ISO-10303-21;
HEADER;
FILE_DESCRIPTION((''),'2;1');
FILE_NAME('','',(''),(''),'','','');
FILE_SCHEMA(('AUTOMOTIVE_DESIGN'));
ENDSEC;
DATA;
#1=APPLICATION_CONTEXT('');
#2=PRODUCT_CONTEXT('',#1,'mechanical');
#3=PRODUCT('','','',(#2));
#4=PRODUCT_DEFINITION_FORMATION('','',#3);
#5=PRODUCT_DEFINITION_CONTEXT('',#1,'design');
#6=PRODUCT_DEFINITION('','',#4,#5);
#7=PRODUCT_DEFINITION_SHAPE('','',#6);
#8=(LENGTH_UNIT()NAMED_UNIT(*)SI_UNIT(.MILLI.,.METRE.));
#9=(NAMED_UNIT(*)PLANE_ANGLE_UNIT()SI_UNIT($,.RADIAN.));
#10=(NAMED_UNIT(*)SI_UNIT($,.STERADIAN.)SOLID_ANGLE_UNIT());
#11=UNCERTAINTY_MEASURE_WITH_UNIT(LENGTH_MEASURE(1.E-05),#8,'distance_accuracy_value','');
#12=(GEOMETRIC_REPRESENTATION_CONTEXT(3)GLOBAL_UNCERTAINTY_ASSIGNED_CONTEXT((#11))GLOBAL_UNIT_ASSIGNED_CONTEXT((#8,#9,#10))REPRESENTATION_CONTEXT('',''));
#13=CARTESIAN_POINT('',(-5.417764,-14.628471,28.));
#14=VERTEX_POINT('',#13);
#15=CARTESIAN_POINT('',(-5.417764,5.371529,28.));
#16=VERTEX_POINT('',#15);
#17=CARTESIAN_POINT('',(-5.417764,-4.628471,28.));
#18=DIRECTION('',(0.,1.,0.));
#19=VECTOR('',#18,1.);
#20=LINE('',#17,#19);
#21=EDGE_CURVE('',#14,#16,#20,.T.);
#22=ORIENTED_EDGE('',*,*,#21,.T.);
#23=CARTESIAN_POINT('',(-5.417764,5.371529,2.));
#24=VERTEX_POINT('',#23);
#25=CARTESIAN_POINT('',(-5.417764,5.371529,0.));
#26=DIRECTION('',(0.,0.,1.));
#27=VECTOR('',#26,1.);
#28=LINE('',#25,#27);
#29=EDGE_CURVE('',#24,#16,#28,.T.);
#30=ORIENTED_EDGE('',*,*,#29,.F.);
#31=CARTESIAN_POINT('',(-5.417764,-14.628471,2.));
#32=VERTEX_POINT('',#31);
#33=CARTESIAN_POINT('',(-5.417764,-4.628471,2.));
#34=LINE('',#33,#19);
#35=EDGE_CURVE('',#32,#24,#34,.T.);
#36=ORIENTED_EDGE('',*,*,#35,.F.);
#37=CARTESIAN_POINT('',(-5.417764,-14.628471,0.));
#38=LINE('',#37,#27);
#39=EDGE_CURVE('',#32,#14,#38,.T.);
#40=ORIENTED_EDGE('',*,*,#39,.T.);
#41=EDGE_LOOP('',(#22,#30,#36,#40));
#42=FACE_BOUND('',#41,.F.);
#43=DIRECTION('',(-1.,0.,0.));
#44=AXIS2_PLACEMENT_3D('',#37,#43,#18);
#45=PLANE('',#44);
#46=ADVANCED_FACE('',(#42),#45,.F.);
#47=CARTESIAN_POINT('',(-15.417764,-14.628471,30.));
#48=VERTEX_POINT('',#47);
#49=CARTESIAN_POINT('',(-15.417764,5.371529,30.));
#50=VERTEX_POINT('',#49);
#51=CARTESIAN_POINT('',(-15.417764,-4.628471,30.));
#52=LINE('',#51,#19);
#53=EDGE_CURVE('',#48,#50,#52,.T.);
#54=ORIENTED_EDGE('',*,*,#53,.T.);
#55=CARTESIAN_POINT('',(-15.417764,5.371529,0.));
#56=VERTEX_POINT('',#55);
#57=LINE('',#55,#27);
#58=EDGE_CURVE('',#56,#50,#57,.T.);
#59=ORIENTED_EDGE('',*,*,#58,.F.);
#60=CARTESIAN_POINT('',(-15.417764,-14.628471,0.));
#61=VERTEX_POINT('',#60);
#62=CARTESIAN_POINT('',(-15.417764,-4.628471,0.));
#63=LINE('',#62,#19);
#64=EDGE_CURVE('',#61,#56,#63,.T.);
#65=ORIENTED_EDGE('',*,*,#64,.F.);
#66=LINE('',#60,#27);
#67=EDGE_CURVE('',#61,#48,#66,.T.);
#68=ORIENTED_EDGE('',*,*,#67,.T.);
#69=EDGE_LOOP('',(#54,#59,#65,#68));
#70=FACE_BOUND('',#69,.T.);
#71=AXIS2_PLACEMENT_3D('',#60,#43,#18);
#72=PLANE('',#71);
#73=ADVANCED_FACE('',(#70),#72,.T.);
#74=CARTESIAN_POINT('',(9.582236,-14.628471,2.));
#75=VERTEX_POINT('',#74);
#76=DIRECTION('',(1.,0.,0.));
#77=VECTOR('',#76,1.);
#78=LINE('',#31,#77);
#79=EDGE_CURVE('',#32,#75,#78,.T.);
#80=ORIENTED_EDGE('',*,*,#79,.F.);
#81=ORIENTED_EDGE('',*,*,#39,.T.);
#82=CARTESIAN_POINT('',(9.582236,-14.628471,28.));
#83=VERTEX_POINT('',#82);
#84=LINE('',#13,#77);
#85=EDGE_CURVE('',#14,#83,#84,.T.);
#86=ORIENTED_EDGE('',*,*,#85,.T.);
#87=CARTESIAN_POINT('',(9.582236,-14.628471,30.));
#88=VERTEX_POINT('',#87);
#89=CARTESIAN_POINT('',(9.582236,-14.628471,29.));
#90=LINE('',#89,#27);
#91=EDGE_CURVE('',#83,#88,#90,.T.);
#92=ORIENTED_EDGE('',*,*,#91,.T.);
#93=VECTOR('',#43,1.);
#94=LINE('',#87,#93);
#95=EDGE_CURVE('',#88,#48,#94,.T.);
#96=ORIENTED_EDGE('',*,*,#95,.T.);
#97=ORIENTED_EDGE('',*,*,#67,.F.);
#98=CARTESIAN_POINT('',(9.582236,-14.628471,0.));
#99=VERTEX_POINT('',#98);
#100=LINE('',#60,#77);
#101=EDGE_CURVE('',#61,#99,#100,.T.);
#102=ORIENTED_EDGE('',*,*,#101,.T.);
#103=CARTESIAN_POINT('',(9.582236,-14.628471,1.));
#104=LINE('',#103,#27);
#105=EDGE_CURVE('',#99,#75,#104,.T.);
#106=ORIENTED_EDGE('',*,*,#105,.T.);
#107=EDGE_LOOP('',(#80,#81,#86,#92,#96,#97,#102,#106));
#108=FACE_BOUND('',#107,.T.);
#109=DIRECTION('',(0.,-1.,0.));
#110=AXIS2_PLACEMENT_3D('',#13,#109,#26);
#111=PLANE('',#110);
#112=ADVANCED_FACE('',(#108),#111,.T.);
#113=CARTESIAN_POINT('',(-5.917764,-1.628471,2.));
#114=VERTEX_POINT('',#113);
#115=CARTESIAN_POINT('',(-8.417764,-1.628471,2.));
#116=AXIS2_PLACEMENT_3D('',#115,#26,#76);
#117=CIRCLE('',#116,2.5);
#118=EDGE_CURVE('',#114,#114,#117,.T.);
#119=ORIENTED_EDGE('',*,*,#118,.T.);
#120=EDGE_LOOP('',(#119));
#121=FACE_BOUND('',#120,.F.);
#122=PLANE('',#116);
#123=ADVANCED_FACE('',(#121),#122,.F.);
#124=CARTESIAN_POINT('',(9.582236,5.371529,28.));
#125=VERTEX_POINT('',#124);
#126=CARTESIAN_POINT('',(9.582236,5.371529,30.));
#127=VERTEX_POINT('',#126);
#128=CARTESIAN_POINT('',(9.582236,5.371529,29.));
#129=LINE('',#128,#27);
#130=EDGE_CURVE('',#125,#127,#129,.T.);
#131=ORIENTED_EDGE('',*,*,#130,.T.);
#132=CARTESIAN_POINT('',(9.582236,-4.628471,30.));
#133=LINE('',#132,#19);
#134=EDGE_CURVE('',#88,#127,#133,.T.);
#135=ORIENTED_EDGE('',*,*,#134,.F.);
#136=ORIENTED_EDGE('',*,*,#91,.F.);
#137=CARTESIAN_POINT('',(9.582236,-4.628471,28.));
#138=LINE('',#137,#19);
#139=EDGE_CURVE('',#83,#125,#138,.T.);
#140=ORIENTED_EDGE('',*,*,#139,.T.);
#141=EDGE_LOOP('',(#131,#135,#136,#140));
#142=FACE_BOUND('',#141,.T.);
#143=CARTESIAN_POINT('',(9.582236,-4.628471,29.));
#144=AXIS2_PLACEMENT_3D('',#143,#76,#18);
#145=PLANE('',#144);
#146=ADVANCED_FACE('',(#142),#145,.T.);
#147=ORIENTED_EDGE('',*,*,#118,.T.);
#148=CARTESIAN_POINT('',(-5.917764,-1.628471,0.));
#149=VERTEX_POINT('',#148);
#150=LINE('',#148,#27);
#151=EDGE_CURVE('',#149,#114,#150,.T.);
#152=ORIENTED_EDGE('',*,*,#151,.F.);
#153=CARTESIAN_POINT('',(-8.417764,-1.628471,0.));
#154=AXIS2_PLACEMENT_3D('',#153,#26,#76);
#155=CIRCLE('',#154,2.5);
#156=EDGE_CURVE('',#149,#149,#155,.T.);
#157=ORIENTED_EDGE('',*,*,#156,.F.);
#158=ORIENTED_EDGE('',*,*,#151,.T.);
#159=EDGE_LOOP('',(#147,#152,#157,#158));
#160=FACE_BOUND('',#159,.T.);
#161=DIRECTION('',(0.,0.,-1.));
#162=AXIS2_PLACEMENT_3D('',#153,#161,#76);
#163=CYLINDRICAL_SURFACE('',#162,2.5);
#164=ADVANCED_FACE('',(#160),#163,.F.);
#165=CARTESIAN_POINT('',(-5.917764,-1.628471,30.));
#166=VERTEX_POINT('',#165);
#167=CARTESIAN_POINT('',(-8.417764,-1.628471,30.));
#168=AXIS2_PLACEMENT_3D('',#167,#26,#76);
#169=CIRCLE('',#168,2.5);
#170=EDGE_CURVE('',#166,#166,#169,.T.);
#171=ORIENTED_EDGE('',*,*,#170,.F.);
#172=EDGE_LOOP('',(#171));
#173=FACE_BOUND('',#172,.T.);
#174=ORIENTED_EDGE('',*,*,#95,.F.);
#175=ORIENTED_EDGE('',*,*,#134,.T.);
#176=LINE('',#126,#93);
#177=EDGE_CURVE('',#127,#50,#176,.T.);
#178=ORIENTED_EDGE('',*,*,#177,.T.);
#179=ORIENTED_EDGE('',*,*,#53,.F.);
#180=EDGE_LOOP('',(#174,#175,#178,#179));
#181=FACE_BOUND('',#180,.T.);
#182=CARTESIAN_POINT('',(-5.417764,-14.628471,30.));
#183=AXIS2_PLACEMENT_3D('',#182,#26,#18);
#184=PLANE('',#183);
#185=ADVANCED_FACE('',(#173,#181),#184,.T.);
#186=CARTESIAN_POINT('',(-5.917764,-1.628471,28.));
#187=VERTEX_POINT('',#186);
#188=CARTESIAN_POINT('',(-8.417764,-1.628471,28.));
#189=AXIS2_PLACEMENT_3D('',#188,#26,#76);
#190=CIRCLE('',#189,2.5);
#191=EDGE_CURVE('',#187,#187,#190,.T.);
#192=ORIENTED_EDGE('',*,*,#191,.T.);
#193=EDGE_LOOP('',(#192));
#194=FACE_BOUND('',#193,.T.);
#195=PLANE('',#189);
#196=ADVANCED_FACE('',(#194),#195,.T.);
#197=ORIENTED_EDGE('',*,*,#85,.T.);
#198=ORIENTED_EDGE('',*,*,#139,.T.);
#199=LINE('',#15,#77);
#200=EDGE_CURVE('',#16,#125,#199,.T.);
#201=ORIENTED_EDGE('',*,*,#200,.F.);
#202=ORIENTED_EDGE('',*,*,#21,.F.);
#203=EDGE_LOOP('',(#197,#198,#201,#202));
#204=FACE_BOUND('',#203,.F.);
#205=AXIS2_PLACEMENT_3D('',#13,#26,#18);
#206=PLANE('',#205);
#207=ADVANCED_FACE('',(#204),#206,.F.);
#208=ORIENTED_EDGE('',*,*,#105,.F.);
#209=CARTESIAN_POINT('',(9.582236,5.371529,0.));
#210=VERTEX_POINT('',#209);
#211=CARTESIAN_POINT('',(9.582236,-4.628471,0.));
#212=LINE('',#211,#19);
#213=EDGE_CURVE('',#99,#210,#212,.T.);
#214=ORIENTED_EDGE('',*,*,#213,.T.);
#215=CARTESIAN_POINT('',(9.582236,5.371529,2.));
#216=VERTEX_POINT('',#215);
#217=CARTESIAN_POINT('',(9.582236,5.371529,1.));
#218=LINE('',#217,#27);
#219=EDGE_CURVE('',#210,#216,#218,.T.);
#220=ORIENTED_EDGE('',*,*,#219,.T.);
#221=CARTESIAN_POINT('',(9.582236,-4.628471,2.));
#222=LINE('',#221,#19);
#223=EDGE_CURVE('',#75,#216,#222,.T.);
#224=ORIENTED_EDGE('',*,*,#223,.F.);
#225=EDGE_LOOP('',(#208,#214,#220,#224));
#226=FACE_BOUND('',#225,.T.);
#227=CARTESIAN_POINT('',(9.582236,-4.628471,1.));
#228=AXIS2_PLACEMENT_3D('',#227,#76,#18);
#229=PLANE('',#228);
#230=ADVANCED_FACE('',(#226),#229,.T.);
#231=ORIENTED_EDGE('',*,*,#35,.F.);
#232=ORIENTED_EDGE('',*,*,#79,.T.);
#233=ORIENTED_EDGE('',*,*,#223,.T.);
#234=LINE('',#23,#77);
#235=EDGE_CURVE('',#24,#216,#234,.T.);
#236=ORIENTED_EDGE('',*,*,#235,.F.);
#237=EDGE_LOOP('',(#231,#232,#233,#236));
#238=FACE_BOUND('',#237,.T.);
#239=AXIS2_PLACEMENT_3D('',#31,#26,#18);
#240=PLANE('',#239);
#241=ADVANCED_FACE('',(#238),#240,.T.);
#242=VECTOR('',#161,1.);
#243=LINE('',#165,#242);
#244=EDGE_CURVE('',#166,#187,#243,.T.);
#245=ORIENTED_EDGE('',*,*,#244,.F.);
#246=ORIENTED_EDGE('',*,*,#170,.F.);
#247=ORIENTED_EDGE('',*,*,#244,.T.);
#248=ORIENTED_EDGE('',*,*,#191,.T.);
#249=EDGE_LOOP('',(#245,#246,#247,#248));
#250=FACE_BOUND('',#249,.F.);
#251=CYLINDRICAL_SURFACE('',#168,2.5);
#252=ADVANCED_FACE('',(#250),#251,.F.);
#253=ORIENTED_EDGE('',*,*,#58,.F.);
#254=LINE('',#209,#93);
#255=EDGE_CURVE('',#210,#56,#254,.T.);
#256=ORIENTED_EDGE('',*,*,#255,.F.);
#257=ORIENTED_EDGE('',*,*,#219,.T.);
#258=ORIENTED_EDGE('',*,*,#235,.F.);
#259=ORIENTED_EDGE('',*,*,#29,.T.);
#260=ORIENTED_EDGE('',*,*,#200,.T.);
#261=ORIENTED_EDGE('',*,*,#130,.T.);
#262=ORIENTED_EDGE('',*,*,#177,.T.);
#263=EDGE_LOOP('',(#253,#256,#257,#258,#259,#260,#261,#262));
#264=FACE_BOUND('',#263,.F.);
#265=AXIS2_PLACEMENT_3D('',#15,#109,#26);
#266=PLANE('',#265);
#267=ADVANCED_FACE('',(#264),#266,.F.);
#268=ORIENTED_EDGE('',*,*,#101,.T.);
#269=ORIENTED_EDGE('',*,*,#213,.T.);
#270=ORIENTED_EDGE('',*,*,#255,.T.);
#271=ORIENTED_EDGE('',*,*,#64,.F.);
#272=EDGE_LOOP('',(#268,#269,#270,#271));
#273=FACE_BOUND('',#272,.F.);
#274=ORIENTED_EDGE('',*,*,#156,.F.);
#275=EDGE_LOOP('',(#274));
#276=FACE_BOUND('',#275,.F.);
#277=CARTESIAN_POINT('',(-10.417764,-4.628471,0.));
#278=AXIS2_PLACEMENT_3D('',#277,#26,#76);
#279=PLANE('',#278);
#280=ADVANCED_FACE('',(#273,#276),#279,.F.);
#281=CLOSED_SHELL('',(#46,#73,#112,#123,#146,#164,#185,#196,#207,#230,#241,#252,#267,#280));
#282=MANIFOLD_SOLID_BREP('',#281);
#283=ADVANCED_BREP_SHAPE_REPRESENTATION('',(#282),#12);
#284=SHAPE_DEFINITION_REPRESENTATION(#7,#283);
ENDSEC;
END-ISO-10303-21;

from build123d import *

# Parameters (mm, degrees)
F0_W     = 10
F0_H     = 20
F1_DEPTH = 30
F2_W     = 20
F2_H     = 2
F3_DEPTH = 15
F4_R     = 2.5
F5_DEPTH = 2
F6_R     = 2.5
F7_DEPTH = 2


with BuildPart() as f1:
    # F0 (on Top) → F1 (new body)
    with BuildSketch(Plane.XY):
        with Locations((-10.417764, -4.628471)):
            Rectangle(F0_W, F0_H)
    extrude(amount=F1_DEPTH)

    # F2 (on face) → F3 (join)
    with BuildSketch(Plane.YZ.offset(-5.417764)):
        with Locations((-4.628471, 29)):
            Rectangle(F2_W, F2_H)
        with Locations((-4.628471, 1)):
            Rectangle(F2_W, F2_H)
    extrude(amount=F3_DEPTH)

    # F4 (on Top) → F5 (cut)
    with BuildSketch(Plane.XY):
        with Locations((-8.417764, -1.628471)):
            Circle(F4_R)
    extrude(amount=F5_DEPTH, mode=Mode.SUBTRACT)

    # F6 (on face) → F7 (cut)
    with BuildSketch(Plane.XY.offset(30)):
        with Locations((-8.417764, -1.628471)):
            Circle(F6_R)
    extrude(amount=-F7_DEPTH, mode=Mode.SUBTRACT)


solid = f1.part
